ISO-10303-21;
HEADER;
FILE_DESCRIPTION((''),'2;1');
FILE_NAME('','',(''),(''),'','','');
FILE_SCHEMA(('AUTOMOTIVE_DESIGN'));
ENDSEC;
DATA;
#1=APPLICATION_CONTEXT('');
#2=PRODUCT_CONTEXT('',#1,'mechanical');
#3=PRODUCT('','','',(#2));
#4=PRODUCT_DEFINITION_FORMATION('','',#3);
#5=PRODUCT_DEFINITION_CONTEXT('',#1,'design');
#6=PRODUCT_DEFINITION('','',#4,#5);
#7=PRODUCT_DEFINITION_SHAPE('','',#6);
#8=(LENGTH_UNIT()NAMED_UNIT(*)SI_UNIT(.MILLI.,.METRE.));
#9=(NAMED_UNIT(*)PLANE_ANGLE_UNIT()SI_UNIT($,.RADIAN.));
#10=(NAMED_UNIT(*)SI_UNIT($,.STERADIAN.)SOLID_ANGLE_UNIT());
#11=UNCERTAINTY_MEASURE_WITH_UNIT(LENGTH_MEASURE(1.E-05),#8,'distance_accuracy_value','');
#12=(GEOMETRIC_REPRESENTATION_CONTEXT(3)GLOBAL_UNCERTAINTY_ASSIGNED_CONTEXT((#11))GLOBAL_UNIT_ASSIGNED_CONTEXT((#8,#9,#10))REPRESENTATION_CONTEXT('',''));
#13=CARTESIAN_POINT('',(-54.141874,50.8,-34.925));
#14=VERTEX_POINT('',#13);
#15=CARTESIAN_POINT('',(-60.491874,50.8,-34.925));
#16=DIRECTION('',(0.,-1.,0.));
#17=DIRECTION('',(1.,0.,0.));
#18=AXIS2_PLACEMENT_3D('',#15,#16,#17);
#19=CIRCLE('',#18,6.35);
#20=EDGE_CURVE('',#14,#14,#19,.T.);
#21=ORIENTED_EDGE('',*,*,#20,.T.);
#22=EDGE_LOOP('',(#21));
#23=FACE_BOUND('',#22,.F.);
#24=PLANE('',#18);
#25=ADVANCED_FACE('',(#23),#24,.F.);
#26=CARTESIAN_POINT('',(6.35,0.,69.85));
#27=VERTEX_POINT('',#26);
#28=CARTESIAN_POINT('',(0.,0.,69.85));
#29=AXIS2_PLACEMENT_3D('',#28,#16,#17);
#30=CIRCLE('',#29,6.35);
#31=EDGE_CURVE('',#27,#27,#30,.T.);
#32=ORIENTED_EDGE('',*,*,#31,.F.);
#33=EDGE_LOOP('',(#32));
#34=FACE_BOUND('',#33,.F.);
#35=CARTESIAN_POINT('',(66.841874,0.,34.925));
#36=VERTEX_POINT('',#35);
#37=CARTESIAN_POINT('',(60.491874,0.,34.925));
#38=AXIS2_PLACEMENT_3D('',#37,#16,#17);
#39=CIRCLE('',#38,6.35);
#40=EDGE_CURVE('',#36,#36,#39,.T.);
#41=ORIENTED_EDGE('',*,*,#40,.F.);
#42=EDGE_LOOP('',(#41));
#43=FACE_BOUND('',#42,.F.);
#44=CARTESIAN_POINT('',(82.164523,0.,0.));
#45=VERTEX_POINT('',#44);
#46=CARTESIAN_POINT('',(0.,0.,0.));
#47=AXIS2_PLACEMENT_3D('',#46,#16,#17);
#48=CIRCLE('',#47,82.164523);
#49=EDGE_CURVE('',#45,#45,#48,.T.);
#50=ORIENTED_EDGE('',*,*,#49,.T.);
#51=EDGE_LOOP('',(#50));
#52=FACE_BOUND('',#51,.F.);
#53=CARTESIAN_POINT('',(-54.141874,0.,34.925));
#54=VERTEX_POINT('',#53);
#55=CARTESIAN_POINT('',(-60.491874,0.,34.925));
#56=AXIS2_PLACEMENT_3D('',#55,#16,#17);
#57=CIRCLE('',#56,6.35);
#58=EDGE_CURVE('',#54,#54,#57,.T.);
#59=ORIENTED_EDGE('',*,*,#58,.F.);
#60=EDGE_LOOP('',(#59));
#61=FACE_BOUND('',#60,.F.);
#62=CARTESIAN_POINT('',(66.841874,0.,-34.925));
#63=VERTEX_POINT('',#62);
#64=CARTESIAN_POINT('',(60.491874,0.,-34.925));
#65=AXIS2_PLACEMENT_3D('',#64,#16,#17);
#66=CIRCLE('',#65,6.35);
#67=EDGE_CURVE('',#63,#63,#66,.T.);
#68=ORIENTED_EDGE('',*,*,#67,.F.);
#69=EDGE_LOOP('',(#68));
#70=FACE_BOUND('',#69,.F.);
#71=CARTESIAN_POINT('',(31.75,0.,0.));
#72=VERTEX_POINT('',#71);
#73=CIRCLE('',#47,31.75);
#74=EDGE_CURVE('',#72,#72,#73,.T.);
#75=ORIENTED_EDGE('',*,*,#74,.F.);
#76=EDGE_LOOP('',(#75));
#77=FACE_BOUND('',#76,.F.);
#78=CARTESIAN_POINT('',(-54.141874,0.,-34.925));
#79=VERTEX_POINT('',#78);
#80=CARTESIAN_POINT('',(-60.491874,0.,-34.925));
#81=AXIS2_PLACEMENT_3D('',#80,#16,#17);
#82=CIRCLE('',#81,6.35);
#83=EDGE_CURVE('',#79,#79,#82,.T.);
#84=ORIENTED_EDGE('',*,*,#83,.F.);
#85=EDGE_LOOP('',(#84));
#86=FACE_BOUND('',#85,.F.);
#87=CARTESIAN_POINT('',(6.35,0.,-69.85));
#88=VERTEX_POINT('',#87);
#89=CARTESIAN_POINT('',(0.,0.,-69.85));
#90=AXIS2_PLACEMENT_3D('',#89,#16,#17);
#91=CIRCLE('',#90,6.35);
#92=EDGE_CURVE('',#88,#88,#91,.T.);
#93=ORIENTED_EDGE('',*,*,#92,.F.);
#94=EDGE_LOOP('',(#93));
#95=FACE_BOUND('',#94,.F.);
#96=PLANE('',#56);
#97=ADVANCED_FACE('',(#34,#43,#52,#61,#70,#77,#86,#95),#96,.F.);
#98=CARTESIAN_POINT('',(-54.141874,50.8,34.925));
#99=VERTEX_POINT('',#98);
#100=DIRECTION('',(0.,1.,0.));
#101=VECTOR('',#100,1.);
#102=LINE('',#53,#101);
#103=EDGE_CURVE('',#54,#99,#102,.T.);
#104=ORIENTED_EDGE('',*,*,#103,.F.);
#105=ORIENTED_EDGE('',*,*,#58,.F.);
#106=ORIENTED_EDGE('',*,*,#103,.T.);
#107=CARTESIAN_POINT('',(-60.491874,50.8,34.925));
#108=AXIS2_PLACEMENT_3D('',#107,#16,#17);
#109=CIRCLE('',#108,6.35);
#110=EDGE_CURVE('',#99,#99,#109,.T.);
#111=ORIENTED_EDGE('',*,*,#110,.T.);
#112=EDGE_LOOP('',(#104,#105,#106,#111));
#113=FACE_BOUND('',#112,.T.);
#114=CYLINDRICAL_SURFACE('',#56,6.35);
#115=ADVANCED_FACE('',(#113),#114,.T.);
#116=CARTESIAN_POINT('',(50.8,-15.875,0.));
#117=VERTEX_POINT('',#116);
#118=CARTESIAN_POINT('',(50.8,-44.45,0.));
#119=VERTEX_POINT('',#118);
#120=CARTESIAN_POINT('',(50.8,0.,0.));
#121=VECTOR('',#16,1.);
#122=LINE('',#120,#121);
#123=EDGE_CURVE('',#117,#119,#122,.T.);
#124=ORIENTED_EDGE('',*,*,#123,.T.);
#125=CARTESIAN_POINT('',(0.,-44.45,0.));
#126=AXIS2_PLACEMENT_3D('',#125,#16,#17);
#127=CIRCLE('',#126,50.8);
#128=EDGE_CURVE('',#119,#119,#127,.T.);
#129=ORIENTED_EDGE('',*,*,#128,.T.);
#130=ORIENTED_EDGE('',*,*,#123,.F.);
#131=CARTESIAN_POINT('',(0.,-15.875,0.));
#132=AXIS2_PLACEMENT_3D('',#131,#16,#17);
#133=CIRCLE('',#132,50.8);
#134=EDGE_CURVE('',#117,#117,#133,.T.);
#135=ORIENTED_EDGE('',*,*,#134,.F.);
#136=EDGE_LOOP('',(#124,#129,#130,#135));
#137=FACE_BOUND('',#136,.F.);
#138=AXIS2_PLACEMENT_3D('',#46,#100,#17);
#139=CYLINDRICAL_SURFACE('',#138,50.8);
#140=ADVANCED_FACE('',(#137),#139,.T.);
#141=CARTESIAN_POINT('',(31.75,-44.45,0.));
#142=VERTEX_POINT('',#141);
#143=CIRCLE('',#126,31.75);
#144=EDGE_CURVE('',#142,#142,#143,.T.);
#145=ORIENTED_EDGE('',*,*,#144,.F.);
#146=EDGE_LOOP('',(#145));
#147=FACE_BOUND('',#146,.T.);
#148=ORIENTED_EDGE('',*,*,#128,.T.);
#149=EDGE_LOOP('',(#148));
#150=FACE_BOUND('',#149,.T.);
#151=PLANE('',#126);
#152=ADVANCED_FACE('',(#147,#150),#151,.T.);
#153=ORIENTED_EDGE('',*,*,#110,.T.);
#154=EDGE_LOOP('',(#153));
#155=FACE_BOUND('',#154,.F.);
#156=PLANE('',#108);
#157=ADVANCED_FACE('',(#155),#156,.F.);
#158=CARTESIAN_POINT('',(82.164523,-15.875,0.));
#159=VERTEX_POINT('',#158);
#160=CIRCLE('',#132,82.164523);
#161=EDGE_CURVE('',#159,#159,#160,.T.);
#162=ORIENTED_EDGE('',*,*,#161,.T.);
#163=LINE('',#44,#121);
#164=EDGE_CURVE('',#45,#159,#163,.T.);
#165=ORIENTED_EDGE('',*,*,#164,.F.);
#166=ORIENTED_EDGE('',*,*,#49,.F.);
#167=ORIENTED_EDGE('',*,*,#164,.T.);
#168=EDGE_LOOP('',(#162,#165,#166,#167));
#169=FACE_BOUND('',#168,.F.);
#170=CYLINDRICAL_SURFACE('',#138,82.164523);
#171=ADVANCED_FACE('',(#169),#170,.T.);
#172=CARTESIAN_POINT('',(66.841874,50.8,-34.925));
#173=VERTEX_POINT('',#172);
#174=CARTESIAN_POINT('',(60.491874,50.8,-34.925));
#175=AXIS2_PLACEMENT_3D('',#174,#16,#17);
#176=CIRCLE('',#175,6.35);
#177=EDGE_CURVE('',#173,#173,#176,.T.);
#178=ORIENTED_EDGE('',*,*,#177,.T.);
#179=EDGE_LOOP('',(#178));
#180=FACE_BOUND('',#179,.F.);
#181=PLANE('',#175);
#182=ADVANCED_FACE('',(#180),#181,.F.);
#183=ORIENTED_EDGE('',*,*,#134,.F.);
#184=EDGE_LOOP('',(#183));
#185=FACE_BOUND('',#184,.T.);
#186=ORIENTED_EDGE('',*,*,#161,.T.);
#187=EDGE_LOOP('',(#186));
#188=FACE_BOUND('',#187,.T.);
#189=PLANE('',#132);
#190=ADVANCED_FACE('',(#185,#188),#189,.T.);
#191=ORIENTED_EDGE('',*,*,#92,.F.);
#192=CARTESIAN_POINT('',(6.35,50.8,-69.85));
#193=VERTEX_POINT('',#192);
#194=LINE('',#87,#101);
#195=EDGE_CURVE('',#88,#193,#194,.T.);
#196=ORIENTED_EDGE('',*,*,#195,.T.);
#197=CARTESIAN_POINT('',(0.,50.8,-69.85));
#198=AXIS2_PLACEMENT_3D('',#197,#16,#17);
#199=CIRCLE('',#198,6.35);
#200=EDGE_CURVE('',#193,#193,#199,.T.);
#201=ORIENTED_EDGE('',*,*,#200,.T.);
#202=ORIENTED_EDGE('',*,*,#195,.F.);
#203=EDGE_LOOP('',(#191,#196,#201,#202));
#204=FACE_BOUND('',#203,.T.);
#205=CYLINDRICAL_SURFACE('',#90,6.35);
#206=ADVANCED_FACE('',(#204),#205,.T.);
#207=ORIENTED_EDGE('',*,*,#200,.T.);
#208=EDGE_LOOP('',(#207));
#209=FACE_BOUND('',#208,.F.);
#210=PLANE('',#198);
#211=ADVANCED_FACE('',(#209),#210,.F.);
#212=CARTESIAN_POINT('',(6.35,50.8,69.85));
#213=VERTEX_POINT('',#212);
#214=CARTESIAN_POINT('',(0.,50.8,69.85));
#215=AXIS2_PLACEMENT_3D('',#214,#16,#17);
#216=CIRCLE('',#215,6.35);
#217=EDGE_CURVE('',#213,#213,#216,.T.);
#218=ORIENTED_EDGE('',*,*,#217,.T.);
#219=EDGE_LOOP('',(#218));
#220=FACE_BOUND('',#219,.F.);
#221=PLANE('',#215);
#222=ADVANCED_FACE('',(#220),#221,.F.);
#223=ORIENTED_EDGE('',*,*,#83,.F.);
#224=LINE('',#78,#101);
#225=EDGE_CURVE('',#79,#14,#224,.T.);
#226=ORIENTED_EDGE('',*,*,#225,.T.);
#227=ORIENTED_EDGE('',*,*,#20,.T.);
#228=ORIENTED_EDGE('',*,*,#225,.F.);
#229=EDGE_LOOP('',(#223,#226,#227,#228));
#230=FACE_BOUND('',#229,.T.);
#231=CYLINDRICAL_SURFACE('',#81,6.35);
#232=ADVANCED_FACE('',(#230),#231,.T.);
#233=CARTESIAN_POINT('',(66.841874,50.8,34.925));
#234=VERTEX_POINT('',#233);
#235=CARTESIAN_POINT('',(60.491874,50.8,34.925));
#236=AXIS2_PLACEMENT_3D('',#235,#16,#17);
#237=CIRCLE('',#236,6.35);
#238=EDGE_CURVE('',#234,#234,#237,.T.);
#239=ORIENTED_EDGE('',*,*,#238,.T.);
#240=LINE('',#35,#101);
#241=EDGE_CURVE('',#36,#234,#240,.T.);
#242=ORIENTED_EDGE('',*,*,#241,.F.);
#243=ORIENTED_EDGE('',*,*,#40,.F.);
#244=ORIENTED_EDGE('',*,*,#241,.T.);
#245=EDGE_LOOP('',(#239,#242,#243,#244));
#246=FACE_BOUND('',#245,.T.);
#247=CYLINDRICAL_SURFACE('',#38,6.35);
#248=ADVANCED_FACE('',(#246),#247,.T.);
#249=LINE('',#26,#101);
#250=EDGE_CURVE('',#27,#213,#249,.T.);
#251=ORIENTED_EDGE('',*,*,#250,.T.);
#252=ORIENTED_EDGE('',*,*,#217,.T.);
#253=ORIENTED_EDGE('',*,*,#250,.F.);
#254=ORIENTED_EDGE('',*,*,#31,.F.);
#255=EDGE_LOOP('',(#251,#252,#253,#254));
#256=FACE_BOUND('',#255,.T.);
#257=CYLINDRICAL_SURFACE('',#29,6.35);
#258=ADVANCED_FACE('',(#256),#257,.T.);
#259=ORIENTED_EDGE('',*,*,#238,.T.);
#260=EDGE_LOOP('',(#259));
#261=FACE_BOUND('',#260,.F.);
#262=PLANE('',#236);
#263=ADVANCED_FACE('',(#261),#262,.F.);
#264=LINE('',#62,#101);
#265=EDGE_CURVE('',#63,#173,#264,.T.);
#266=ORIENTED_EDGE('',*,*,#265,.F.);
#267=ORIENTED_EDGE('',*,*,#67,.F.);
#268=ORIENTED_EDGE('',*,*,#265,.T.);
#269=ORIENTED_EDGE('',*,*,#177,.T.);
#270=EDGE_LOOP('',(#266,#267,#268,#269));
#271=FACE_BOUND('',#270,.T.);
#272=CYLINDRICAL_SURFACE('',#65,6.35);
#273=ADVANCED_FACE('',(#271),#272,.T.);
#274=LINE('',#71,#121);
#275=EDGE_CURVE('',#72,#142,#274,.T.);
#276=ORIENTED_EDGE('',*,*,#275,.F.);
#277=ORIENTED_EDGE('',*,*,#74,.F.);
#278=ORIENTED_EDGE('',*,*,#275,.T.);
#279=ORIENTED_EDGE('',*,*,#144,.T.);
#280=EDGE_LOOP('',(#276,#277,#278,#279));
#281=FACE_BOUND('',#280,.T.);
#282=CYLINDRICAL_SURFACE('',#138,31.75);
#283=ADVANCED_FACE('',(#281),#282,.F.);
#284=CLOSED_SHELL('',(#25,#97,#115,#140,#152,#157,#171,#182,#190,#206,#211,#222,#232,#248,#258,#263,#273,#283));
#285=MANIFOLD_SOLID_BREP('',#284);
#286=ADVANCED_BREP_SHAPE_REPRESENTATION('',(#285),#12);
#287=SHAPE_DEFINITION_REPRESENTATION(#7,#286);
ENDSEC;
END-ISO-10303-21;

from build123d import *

# Parameters (mm, degrees)
F0_R          = 82.164523
F0_R_2        = 6.35
F0_R_3        = 50.8
F1_DEPTH      = 15.875
F0_R_4        = 31.75
F2_DEPTH      = 44.45
F3_DEPTH      = 15.875
F3_DEPTH_BACK = 50.8


with BuildPart() as f1:
    # F0 (on Front) → F1 (new body)
    with BuildSketch(Plane.XZ):
        Circle(F0_R)
        with Locations((-60.491874, -34.925)):
            Circle(F0_R_2, mode=Mode.SUBTRACT)
        with Locations((0, -69.85)):
            Circle(F0_R_2, mode=Mode.SUBTRACT)
        with Locations((60.491874, -34.925)):
            Circle(F0_R_2, mode=Mode.SUBTRACT)
        with Locations((-60.491874, 34.925)):
            Circle(F0_R_2, mode=Mode.SUBTRACT)
        Circle(F0_R_3, mode=Mode.SUBTRACT)
        with Locations((60.491874, 34.925)):
            Circle(F0_R_2, mode=Mode.SUBTRACT)
        with Locations((0, 69.85)):
            Circle(F0_R_2, mode=Mode.SUBTRACT)
    extrude(amount=F1_DEPTH)

    # F0 (on Front) → F2 (join)
    with BuildSketch(Plane.XZ):
        Circle(F0_R_3)
        Circle(F0_R_4, mode=Mode.SUBTRACT)
    extrude(amount=F2_DEPTH)

    # F0 (on Front) → F3 (join, two sides)
    with BuildSketch(Plane.XZ) as f3_sk:
        with Locations((-60.491874, 34.925)):
            Circle(F0_R_2)
        with Locations((0, 69.85)):
            Circle(F0_R_2)
        with Locations((60.491874, 34.925)):
            Circle(F0_R_2)
        with Locations((60.491874, -34.925)):
            Circle(F0_R_2)
        with Locations((0, -69.85)):
            Circle(F0_R_2)
        with Locations((-60.491874, -34.925)):
            Circle(F0_R_2)
    extrude(amount=F3_DEPTH)
    extrude(f3_sk.sketch, amount=-F3_DEPTH_BACK)


solid = f1.part
